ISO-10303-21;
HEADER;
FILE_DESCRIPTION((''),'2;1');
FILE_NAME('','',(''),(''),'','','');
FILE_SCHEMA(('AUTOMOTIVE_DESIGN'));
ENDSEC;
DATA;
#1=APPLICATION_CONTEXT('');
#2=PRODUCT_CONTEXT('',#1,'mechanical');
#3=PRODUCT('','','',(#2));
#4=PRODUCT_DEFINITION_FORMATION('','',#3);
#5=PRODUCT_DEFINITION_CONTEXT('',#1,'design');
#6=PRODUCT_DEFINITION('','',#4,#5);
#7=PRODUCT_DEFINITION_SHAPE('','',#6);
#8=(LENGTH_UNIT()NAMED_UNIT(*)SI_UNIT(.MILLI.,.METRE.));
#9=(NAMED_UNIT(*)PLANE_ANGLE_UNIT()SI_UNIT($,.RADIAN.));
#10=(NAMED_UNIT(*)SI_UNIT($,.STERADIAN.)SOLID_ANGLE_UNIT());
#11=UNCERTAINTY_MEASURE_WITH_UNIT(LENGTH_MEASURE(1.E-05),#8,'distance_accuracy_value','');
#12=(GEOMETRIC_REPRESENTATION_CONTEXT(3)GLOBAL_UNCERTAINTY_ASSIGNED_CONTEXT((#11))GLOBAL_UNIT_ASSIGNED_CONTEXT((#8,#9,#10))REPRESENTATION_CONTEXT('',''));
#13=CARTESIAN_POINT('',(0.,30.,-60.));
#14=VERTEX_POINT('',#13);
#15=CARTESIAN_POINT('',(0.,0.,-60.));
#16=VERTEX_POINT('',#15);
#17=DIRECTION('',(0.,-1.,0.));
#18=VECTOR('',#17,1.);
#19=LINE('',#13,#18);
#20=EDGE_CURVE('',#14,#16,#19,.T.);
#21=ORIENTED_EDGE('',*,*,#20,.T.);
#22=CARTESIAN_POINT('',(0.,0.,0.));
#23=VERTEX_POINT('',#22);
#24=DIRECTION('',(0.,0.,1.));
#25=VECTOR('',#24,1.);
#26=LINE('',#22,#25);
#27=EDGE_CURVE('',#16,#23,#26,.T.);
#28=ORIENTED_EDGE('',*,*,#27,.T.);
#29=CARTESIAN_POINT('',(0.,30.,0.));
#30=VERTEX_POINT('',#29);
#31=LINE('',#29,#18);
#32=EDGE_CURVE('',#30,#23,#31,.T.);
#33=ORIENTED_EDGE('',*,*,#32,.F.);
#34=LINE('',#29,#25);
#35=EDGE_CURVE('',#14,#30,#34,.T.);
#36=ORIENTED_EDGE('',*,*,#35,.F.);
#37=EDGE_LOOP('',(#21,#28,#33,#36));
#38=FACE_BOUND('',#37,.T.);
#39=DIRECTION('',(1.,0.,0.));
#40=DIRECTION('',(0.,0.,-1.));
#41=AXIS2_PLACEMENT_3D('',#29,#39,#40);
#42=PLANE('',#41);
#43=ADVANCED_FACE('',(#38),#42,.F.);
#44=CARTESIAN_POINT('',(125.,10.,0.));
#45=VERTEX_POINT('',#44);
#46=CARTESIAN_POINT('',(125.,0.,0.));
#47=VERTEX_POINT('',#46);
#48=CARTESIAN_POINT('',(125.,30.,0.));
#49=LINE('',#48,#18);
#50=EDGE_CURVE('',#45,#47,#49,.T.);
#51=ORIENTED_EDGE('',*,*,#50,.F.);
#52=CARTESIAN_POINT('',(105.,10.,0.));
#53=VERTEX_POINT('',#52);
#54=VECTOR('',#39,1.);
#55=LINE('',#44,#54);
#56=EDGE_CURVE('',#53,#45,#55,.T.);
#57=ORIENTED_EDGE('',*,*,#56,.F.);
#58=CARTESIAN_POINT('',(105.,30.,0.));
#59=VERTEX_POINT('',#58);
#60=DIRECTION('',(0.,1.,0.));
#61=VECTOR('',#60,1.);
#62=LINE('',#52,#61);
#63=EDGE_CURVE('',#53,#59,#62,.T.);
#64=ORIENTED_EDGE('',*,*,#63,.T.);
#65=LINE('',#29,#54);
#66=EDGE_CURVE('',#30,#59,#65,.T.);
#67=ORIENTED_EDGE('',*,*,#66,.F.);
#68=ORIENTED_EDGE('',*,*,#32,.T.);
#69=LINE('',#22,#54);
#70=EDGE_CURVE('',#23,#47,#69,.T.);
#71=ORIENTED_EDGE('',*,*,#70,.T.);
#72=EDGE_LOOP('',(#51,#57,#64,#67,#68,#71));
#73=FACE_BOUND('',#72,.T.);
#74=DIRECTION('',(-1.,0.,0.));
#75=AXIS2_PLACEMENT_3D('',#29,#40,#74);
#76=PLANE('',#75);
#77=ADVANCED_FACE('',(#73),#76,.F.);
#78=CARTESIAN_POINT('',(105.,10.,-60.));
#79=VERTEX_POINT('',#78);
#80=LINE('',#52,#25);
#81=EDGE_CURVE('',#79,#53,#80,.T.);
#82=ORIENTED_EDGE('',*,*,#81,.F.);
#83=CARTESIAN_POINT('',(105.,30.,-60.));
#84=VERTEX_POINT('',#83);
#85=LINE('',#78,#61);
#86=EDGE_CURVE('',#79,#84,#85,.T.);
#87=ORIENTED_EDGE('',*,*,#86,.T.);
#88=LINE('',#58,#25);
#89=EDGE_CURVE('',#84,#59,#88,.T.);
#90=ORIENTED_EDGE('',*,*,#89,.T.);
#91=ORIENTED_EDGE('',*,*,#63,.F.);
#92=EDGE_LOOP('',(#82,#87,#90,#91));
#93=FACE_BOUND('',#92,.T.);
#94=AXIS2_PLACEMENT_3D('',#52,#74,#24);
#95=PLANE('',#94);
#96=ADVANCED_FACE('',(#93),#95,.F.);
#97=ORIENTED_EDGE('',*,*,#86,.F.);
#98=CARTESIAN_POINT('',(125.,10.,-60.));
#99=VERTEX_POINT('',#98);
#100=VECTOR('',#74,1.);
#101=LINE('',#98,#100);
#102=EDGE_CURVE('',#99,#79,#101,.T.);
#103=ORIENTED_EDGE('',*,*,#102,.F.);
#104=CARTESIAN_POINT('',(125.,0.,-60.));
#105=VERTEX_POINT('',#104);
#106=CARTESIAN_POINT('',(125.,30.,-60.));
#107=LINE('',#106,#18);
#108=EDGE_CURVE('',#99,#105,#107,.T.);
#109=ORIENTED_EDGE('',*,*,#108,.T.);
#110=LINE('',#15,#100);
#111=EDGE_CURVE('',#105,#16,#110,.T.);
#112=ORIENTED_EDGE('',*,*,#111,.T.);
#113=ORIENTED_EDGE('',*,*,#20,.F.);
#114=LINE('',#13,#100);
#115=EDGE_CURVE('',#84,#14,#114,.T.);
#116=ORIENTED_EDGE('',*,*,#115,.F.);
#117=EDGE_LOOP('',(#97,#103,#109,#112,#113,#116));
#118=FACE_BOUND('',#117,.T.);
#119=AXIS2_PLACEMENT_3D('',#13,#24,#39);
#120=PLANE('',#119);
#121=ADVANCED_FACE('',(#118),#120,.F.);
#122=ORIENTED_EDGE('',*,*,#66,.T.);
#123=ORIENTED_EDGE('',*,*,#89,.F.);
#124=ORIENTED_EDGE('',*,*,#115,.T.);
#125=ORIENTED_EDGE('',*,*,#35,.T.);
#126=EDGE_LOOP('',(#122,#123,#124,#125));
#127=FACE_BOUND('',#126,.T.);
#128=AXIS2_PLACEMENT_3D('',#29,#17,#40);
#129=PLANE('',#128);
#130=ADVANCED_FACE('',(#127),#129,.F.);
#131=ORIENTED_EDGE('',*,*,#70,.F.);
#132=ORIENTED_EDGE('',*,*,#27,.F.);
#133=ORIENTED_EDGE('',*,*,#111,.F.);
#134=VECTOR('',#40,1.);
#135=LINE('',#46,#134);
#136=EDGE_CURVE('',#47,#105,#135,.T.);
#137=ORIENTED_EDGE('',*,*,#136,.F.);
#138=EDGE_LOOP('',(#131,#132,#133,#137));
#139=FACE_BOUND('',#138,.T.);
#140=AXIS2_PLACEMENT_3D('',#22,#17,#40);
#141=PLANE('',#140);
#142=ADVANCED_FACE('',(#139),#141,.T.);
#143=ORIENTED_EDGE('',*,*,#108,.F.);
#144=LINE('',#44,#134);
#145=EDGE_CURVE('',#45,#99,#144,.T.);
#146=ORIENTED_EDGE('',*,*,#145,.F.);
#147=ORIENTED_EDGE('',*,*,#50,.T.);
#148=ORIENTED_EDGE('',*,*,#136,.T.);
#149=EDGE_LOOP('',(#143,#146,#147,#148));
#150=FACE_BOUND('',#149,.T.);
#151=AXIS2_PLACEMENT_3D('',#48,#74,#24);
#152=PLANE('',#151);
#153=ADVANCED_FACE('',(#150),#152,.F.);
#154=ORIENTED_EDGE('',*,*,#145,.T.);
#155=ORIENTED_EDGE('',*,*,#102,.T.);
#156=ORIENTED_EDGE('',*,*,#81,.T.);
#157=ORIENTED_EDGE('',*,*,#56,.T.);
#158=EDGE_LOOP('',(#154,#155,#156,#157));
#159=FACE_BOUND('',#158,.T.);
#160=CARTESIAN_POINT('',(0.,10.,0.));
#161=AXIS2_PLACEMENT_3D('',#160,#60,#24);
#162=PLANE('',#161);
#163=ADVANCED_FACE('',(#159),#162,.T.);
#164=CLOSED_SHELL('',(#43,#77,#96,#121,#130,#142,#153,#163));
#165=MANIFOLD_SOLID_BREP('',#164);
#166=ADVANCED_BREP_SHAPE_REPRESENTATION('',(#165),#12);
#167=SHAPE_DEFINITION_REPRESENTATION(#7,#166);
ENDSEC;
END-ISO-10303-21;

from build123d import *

# Parameters (mm, degrees)
SKETCH1_W           = 125
SKETCH1_H           = 60
BOSS_EXTRUDE1_DEPTH = 30
SKETCH2_W           = 20
SKETCH2_H           = 60
CUT_EXTRUDE1_DEPTH  = 20


with BuildPart() as part:
    # Sketch1 → Boss-Extrude1 (new body)
    with BuildSketch(Plane(origin=(0, 0, 0), x_dir=(1, 0, 0), z_dir=(0, 1, 0))):
        with Locations((62.5, 30)):
            Rectangle(SKETCH1_W, SKETCH1_H)
    extrude(amount=BOSS_EXTRUDE1_DEPTH)

    # Sketch2 → Cut-Extrude1 (cut)
    with BuildSketch(Plane(origin=(0, 30, 0), x_dir=(1, 0, 0), z_dir=(0, 1, 0))):
        with Locations((115, 30)):
            Rectangle(SKETCH2_W, SKETCH2_H)
    extrude(amount=-CUT_EXTRUDE1_DEPTH, mode=Mode.SUBTRACT)


solid = part.part
